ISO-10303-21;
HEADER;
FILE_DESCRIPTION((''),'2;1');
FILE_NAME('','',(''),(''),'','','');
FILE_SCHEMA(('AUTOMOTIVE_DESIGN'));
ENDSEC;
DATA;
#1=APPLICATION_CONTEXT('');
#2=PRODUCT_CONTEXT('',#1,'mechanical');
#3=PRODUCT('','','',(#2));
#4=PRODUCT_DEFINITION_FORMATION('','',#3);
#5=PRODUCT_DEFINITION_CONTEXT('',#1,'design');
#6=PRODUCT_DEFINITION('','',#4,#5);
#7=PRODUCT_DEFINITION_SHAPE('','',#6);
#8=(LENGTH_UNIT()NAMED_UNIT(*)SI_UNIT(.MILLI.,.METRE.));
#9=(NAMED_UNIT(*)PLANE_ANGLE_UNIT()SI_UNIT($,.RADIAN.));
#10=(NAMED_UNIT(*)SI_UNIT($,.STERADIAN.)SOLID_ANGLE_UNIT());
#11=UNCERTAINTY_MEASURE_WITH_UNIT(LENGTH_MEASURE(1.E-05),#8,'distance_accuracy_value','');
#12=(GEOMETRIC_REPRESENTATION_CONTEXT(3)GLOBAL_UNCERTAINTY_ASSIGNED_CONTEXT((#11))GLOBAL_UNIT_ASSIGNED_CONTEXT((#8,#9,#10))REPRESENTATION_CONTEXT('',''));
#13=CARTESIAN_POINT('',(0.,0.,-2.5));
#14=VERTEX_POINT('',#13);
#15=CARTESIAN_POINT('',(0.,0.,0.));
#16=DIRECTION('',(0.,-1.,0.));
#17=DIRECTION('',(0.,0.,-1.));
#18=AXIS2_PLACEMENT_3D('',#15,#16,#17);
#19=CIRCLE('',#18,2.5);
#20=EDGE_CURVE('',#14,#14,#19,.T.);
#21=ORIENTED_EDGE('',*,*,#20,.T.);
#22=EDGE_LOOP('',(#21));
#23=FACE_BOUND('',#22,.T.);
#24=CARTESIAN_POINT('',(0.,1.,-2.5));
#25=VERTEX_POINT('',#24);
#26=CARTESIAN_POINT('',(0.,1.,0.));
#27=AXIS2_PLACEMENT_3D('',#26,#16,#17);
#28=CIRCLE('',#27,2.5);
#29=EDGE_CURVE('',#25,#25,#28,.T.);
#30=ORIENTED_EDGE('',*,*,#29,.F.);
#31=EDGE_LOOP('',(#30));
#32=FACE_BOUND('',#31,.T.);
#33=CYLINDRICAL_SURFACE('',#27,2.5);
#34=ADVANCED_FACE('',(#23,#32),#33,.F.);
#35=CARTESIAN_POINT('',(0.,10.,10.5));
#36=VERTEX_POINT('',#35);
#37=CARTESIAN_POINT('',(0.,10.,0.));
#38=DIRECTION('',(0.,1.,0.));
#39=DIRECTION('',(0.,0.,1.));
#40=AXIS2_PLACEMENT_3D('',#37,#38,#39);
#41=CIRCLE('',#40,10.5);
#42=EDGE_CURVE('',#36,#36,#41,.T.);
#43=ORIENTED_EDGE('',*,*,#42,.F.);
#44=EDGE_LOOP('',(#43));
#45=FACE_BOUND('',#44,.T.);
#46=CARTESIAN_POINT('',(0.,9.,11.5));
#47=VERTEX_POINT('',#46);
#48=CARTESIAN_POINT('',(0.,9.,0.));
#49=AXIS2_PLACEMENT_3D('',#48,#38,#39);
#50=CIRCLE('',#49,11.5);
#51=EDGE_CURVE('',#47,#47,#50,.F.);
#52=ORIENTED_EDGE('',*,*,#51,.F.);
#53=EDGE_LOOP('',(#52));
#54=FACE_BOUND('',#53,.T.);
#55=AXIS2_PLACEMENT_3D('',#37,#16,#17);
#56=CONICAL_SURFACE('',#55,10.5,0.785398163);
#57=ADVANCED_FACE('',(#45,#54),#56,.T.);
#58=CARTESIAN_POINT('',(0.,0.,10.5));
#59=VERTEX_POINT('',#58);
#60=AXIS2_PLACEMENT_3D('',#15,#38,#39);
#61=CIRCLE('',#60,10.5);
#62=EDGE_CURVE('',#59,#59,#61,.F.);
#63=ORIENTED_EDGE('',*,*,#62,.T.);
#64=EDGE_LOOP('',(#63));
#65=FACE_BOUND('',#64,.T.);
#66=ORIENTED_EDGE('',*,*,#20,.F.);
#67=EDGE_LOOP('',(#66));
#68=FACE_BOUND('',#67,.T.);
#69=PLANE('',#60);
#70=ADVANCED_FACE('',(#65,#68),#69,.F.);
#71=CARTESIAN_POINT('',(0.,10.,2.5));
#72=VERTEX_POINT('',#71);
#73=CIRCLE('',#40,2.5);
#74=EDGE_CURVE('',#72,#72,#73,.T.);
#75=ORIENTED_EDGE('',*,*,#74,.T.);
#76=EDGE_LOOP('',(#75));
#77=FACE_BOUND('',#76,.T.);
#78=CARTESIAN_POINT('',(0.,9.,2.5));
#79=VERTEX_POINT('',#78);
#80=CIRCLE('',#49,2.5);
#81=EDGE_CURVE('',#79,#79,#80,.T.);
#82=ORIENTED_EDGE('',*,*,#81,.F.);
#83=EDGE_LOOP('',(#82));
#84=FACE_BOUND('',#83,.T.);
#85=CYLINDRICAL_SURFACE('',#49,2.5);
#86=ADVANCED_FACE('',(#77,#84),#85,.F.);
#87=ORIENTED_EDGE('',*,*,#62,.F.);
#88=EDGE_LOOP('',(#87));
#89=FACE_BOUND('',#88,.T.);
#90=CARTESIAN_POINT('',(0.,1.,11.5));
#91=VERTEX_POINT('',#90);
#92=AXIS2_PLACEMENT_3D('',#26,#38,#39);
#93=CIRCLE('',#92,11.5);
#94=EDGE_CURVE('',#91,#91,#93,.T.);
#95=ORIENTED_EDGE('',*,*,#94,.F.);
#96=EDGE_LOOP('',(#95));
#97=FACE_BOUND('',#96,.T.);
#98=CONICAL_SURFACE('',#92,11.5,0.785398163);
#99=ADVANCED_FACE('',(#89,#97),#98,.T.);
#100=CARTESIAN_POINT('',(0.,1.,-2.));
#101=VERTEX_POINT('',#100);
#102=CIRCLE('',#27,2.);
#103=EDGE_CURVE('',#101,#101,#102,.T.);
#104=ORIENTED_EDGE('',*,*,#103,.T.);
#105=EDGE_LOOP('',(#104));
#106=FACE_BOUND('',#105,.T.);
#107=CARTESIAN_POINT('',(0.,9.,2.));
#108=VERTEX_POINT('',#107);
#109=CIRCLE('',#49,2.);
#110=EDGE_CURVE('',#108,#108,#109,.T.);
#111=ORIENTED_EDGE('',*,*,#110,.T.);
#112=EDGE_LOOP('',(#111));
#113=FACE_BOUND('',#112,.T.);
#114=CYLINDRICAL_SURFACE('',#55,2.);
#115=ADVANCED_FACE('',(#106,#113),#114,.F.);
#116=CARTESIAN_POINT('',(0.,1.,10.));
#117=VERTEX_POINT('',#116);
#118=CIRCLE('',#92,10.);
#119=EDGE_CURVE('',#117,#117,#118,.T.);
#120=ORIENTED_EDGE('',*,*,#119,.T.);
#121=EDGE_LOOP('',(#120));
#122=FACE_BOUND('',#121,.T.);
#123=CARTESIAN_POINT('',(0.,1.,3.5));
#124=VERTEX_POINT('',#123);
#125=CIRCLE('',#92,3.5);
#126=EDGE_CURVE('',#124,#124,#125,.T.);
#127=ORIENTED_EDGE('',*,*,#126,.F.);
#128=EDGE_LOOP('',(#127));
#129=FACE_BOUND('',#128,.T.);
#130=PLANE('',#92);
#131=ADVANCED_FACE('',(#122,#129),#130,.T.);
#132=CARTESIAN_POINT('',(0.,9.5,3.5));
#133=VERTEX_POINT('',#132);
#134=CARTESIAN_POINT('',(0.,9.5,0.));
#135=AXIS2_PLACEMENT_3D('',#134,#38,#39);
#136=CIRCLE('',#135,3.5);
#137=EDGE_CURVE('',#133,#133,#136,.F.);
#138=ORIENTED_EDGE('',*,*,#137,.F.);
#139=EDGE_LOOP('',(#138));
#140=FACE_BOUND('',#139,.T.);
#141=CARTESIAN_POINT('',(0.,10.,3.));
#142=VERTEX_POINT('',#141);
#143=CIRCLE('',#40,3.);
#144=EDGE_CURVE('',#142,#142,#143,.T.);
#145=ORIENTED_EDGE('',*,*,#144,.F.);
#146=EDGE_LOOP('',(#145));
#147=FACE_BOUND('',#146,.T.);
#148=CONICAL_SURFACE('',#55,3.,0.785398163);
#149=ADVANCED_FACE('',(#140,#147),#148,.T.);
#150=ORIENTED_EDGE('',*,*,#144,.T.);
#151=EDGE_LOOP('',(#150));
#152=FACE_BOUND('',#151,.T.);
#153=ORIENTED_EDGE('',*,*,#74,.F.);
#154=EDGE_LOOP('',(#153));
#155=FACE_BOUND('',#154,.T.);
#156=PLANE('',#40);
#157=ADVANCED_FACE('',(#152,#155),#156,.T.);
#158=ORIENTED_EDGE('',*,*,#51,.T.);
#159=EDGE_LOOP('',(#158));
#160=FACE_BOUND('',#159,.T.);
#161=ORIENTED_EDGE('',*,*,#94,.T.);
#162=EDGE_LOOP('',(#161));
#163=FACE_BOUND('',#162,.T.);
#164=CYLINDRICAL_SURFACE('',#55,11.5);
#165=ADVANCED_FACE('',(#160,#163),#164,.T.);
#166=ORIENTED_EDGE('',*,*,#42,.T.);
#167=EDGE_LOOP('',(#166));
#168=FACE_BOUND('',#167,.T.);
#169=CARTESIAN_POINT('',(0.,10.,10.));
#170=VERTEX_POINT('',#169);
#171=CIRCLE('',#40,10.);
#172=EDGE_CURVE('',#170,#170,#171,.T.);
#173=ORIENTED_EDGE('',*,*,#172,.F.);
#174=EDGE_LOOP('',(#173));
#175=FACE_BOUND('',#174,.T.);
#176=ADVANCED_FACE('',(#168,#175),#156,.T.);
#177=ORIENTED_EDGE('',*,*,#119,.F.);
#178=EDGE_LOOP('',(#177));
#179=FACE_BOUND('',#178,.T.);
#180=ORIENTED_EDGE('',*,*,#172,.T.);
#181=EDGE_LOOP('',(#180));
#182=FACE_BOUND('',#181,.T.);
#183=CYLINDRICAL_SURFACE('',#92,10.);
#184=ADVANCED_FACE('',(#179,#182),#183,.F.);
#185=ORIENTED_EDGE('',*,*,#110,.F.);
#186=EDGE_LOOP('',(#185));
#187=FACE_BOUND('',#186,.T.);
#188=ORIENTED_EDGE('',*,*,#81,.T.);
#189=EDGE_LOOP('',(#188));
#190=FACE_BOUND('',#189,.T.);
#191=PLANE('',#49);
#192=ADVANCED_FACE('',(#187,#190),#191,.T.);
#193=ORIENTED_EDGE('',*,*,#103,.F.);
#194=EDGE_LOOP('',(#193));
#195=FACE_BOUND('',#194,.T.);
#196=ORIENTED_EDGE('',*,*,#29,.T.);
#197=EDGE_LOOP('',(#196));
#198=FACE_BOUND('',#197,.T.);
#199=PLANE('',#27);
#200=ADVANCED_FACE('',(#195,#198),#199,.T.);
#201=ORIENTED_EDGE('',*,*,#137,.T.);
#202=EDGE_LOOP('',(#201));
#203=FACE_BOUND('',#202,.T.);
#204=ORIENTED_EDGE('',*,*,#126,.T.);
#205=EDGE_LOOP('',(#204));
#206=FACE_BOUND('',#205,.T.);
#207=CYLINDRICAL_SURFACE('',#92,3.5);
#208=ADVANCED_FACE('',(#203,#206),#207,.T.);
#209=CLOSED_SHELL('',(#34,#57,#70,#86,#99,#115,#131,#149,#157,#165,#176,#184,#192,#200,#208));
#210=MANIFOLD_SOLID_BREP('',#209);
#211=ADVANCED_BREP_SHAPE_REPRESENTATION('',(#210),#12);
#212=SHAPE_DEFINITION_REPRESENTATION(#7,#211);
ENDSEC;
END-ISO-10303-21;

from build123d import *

# Parameters (mm, degrees)
SKETCH_1_R          = 11.5
EXTRUDE_1_DEPTH     = 10
SKETCH_2_R          = 10
SKETCH_2_R_2        = 3.5
CUT_EXTRUDE_1_DEPTH = 9
SKETCH_3_R          = 2.5
CUT_EXTRUDE_2_DEPTH = 1
CUT_EXTRUDE_START   = -1
SKETCH_4_R          = 2.5
CUT_EXTRUDE_3_DEPTH = 1
SKETCH_5_R          = 2
CUT_EXTRUDE_4_DEPTH = 19.587630295
CHAMFER_1_SIZE      = 1
CHAMFER_2_SIZE      = 0.5


with BuildPart() as part:
    # 草图1 → 凸台-拉伸1 (new body)
    with BuildSketch(Plane(origin=(0, 0, 0), x_dir=(1, 0, 0), z_dir=(0, 1, 0))):
        with Locations(Location((0, 0, 0), (0, 0, 270))):
            Circle(SKETCH_1_R)
    extrude(amount=EXTRUDE_1_DEPTH)

    # 草图2 → 切除-拉伸1 (cut)
    with BuildSketch(Plane(origin=(0, 10, 0), x_dir=(1, 0, 0), z_dir=(0, 1, 0))):
        with Locations(Location((0, 0, 0), (0, 0, 270))):
            Circle(SKETCH_2_R)
        with Locations(Location((0, 0, 0), (0, 0, 270))):
            Circle(SKETCH_2_R_2, mode=Mode.SUBTRACT)
    extrude(amount=-CUT_EXTRUDE_1_DEPTH, mode=Mode.SUBTRACT)

    # 草图3 → 切除-拉伸2 (cut)
    with BuildSketch(Plane(origin=(0, 10, 0), x_dir=(1, 0, 0), z_dir=(0, 1, 0))):
        with Locations(Location((0, 0, 0), (0, 0, 270))):
            Circle(SKETCH_3_R)
    extrude(amount=-CUT_EXTRUDE_2_DEPTH, mode=Mode.SUBTRACT)

    # 草图4 → 切除-拉伸3 (cut)
    with BuildSketch(Plane.XZ.offset(CUT_EXTRUDE_START)):
        with Locations(Location((0, 0, 0), (0, 0, 90))):
            Circle(SKETCH_4_R)
    extrude(amount=CUT_EXTRUDE_3_DEPTH, mode=Mode.SUBTRACT)

    # 草图5 → 切除-拉伸4 (cut, through all)
    with BuildSketch(Plane.XZ.offset(-1)):
        with Locations(Location((0, 0, 0), (0, 0, 270))):
            Circle(SKETCH_5_R)
    extrude(amount=-CUT_EXTRUDE_4_DEPTH, mode=Mode.SUBTRACT)

    # 倒角1
    chamfer_1_edges = [part.edges().sort_by_distance(p)[0] for p in [
        (0, 0, -11.5),
        (0, 10, -11.5),
    ]]
    chamfer(chamfer_1_edges, length=CHAMFER_1_SIZE)

    # 倒角2
    chamfer_2_edges = [part.edges().sort_by_distance(p)[0] for p in [
        (0, 10, -3.5),
    ]]
    chamfer(chamfer_2_edges, length=CHAMFER_2_SIZE)


solid = part.part
